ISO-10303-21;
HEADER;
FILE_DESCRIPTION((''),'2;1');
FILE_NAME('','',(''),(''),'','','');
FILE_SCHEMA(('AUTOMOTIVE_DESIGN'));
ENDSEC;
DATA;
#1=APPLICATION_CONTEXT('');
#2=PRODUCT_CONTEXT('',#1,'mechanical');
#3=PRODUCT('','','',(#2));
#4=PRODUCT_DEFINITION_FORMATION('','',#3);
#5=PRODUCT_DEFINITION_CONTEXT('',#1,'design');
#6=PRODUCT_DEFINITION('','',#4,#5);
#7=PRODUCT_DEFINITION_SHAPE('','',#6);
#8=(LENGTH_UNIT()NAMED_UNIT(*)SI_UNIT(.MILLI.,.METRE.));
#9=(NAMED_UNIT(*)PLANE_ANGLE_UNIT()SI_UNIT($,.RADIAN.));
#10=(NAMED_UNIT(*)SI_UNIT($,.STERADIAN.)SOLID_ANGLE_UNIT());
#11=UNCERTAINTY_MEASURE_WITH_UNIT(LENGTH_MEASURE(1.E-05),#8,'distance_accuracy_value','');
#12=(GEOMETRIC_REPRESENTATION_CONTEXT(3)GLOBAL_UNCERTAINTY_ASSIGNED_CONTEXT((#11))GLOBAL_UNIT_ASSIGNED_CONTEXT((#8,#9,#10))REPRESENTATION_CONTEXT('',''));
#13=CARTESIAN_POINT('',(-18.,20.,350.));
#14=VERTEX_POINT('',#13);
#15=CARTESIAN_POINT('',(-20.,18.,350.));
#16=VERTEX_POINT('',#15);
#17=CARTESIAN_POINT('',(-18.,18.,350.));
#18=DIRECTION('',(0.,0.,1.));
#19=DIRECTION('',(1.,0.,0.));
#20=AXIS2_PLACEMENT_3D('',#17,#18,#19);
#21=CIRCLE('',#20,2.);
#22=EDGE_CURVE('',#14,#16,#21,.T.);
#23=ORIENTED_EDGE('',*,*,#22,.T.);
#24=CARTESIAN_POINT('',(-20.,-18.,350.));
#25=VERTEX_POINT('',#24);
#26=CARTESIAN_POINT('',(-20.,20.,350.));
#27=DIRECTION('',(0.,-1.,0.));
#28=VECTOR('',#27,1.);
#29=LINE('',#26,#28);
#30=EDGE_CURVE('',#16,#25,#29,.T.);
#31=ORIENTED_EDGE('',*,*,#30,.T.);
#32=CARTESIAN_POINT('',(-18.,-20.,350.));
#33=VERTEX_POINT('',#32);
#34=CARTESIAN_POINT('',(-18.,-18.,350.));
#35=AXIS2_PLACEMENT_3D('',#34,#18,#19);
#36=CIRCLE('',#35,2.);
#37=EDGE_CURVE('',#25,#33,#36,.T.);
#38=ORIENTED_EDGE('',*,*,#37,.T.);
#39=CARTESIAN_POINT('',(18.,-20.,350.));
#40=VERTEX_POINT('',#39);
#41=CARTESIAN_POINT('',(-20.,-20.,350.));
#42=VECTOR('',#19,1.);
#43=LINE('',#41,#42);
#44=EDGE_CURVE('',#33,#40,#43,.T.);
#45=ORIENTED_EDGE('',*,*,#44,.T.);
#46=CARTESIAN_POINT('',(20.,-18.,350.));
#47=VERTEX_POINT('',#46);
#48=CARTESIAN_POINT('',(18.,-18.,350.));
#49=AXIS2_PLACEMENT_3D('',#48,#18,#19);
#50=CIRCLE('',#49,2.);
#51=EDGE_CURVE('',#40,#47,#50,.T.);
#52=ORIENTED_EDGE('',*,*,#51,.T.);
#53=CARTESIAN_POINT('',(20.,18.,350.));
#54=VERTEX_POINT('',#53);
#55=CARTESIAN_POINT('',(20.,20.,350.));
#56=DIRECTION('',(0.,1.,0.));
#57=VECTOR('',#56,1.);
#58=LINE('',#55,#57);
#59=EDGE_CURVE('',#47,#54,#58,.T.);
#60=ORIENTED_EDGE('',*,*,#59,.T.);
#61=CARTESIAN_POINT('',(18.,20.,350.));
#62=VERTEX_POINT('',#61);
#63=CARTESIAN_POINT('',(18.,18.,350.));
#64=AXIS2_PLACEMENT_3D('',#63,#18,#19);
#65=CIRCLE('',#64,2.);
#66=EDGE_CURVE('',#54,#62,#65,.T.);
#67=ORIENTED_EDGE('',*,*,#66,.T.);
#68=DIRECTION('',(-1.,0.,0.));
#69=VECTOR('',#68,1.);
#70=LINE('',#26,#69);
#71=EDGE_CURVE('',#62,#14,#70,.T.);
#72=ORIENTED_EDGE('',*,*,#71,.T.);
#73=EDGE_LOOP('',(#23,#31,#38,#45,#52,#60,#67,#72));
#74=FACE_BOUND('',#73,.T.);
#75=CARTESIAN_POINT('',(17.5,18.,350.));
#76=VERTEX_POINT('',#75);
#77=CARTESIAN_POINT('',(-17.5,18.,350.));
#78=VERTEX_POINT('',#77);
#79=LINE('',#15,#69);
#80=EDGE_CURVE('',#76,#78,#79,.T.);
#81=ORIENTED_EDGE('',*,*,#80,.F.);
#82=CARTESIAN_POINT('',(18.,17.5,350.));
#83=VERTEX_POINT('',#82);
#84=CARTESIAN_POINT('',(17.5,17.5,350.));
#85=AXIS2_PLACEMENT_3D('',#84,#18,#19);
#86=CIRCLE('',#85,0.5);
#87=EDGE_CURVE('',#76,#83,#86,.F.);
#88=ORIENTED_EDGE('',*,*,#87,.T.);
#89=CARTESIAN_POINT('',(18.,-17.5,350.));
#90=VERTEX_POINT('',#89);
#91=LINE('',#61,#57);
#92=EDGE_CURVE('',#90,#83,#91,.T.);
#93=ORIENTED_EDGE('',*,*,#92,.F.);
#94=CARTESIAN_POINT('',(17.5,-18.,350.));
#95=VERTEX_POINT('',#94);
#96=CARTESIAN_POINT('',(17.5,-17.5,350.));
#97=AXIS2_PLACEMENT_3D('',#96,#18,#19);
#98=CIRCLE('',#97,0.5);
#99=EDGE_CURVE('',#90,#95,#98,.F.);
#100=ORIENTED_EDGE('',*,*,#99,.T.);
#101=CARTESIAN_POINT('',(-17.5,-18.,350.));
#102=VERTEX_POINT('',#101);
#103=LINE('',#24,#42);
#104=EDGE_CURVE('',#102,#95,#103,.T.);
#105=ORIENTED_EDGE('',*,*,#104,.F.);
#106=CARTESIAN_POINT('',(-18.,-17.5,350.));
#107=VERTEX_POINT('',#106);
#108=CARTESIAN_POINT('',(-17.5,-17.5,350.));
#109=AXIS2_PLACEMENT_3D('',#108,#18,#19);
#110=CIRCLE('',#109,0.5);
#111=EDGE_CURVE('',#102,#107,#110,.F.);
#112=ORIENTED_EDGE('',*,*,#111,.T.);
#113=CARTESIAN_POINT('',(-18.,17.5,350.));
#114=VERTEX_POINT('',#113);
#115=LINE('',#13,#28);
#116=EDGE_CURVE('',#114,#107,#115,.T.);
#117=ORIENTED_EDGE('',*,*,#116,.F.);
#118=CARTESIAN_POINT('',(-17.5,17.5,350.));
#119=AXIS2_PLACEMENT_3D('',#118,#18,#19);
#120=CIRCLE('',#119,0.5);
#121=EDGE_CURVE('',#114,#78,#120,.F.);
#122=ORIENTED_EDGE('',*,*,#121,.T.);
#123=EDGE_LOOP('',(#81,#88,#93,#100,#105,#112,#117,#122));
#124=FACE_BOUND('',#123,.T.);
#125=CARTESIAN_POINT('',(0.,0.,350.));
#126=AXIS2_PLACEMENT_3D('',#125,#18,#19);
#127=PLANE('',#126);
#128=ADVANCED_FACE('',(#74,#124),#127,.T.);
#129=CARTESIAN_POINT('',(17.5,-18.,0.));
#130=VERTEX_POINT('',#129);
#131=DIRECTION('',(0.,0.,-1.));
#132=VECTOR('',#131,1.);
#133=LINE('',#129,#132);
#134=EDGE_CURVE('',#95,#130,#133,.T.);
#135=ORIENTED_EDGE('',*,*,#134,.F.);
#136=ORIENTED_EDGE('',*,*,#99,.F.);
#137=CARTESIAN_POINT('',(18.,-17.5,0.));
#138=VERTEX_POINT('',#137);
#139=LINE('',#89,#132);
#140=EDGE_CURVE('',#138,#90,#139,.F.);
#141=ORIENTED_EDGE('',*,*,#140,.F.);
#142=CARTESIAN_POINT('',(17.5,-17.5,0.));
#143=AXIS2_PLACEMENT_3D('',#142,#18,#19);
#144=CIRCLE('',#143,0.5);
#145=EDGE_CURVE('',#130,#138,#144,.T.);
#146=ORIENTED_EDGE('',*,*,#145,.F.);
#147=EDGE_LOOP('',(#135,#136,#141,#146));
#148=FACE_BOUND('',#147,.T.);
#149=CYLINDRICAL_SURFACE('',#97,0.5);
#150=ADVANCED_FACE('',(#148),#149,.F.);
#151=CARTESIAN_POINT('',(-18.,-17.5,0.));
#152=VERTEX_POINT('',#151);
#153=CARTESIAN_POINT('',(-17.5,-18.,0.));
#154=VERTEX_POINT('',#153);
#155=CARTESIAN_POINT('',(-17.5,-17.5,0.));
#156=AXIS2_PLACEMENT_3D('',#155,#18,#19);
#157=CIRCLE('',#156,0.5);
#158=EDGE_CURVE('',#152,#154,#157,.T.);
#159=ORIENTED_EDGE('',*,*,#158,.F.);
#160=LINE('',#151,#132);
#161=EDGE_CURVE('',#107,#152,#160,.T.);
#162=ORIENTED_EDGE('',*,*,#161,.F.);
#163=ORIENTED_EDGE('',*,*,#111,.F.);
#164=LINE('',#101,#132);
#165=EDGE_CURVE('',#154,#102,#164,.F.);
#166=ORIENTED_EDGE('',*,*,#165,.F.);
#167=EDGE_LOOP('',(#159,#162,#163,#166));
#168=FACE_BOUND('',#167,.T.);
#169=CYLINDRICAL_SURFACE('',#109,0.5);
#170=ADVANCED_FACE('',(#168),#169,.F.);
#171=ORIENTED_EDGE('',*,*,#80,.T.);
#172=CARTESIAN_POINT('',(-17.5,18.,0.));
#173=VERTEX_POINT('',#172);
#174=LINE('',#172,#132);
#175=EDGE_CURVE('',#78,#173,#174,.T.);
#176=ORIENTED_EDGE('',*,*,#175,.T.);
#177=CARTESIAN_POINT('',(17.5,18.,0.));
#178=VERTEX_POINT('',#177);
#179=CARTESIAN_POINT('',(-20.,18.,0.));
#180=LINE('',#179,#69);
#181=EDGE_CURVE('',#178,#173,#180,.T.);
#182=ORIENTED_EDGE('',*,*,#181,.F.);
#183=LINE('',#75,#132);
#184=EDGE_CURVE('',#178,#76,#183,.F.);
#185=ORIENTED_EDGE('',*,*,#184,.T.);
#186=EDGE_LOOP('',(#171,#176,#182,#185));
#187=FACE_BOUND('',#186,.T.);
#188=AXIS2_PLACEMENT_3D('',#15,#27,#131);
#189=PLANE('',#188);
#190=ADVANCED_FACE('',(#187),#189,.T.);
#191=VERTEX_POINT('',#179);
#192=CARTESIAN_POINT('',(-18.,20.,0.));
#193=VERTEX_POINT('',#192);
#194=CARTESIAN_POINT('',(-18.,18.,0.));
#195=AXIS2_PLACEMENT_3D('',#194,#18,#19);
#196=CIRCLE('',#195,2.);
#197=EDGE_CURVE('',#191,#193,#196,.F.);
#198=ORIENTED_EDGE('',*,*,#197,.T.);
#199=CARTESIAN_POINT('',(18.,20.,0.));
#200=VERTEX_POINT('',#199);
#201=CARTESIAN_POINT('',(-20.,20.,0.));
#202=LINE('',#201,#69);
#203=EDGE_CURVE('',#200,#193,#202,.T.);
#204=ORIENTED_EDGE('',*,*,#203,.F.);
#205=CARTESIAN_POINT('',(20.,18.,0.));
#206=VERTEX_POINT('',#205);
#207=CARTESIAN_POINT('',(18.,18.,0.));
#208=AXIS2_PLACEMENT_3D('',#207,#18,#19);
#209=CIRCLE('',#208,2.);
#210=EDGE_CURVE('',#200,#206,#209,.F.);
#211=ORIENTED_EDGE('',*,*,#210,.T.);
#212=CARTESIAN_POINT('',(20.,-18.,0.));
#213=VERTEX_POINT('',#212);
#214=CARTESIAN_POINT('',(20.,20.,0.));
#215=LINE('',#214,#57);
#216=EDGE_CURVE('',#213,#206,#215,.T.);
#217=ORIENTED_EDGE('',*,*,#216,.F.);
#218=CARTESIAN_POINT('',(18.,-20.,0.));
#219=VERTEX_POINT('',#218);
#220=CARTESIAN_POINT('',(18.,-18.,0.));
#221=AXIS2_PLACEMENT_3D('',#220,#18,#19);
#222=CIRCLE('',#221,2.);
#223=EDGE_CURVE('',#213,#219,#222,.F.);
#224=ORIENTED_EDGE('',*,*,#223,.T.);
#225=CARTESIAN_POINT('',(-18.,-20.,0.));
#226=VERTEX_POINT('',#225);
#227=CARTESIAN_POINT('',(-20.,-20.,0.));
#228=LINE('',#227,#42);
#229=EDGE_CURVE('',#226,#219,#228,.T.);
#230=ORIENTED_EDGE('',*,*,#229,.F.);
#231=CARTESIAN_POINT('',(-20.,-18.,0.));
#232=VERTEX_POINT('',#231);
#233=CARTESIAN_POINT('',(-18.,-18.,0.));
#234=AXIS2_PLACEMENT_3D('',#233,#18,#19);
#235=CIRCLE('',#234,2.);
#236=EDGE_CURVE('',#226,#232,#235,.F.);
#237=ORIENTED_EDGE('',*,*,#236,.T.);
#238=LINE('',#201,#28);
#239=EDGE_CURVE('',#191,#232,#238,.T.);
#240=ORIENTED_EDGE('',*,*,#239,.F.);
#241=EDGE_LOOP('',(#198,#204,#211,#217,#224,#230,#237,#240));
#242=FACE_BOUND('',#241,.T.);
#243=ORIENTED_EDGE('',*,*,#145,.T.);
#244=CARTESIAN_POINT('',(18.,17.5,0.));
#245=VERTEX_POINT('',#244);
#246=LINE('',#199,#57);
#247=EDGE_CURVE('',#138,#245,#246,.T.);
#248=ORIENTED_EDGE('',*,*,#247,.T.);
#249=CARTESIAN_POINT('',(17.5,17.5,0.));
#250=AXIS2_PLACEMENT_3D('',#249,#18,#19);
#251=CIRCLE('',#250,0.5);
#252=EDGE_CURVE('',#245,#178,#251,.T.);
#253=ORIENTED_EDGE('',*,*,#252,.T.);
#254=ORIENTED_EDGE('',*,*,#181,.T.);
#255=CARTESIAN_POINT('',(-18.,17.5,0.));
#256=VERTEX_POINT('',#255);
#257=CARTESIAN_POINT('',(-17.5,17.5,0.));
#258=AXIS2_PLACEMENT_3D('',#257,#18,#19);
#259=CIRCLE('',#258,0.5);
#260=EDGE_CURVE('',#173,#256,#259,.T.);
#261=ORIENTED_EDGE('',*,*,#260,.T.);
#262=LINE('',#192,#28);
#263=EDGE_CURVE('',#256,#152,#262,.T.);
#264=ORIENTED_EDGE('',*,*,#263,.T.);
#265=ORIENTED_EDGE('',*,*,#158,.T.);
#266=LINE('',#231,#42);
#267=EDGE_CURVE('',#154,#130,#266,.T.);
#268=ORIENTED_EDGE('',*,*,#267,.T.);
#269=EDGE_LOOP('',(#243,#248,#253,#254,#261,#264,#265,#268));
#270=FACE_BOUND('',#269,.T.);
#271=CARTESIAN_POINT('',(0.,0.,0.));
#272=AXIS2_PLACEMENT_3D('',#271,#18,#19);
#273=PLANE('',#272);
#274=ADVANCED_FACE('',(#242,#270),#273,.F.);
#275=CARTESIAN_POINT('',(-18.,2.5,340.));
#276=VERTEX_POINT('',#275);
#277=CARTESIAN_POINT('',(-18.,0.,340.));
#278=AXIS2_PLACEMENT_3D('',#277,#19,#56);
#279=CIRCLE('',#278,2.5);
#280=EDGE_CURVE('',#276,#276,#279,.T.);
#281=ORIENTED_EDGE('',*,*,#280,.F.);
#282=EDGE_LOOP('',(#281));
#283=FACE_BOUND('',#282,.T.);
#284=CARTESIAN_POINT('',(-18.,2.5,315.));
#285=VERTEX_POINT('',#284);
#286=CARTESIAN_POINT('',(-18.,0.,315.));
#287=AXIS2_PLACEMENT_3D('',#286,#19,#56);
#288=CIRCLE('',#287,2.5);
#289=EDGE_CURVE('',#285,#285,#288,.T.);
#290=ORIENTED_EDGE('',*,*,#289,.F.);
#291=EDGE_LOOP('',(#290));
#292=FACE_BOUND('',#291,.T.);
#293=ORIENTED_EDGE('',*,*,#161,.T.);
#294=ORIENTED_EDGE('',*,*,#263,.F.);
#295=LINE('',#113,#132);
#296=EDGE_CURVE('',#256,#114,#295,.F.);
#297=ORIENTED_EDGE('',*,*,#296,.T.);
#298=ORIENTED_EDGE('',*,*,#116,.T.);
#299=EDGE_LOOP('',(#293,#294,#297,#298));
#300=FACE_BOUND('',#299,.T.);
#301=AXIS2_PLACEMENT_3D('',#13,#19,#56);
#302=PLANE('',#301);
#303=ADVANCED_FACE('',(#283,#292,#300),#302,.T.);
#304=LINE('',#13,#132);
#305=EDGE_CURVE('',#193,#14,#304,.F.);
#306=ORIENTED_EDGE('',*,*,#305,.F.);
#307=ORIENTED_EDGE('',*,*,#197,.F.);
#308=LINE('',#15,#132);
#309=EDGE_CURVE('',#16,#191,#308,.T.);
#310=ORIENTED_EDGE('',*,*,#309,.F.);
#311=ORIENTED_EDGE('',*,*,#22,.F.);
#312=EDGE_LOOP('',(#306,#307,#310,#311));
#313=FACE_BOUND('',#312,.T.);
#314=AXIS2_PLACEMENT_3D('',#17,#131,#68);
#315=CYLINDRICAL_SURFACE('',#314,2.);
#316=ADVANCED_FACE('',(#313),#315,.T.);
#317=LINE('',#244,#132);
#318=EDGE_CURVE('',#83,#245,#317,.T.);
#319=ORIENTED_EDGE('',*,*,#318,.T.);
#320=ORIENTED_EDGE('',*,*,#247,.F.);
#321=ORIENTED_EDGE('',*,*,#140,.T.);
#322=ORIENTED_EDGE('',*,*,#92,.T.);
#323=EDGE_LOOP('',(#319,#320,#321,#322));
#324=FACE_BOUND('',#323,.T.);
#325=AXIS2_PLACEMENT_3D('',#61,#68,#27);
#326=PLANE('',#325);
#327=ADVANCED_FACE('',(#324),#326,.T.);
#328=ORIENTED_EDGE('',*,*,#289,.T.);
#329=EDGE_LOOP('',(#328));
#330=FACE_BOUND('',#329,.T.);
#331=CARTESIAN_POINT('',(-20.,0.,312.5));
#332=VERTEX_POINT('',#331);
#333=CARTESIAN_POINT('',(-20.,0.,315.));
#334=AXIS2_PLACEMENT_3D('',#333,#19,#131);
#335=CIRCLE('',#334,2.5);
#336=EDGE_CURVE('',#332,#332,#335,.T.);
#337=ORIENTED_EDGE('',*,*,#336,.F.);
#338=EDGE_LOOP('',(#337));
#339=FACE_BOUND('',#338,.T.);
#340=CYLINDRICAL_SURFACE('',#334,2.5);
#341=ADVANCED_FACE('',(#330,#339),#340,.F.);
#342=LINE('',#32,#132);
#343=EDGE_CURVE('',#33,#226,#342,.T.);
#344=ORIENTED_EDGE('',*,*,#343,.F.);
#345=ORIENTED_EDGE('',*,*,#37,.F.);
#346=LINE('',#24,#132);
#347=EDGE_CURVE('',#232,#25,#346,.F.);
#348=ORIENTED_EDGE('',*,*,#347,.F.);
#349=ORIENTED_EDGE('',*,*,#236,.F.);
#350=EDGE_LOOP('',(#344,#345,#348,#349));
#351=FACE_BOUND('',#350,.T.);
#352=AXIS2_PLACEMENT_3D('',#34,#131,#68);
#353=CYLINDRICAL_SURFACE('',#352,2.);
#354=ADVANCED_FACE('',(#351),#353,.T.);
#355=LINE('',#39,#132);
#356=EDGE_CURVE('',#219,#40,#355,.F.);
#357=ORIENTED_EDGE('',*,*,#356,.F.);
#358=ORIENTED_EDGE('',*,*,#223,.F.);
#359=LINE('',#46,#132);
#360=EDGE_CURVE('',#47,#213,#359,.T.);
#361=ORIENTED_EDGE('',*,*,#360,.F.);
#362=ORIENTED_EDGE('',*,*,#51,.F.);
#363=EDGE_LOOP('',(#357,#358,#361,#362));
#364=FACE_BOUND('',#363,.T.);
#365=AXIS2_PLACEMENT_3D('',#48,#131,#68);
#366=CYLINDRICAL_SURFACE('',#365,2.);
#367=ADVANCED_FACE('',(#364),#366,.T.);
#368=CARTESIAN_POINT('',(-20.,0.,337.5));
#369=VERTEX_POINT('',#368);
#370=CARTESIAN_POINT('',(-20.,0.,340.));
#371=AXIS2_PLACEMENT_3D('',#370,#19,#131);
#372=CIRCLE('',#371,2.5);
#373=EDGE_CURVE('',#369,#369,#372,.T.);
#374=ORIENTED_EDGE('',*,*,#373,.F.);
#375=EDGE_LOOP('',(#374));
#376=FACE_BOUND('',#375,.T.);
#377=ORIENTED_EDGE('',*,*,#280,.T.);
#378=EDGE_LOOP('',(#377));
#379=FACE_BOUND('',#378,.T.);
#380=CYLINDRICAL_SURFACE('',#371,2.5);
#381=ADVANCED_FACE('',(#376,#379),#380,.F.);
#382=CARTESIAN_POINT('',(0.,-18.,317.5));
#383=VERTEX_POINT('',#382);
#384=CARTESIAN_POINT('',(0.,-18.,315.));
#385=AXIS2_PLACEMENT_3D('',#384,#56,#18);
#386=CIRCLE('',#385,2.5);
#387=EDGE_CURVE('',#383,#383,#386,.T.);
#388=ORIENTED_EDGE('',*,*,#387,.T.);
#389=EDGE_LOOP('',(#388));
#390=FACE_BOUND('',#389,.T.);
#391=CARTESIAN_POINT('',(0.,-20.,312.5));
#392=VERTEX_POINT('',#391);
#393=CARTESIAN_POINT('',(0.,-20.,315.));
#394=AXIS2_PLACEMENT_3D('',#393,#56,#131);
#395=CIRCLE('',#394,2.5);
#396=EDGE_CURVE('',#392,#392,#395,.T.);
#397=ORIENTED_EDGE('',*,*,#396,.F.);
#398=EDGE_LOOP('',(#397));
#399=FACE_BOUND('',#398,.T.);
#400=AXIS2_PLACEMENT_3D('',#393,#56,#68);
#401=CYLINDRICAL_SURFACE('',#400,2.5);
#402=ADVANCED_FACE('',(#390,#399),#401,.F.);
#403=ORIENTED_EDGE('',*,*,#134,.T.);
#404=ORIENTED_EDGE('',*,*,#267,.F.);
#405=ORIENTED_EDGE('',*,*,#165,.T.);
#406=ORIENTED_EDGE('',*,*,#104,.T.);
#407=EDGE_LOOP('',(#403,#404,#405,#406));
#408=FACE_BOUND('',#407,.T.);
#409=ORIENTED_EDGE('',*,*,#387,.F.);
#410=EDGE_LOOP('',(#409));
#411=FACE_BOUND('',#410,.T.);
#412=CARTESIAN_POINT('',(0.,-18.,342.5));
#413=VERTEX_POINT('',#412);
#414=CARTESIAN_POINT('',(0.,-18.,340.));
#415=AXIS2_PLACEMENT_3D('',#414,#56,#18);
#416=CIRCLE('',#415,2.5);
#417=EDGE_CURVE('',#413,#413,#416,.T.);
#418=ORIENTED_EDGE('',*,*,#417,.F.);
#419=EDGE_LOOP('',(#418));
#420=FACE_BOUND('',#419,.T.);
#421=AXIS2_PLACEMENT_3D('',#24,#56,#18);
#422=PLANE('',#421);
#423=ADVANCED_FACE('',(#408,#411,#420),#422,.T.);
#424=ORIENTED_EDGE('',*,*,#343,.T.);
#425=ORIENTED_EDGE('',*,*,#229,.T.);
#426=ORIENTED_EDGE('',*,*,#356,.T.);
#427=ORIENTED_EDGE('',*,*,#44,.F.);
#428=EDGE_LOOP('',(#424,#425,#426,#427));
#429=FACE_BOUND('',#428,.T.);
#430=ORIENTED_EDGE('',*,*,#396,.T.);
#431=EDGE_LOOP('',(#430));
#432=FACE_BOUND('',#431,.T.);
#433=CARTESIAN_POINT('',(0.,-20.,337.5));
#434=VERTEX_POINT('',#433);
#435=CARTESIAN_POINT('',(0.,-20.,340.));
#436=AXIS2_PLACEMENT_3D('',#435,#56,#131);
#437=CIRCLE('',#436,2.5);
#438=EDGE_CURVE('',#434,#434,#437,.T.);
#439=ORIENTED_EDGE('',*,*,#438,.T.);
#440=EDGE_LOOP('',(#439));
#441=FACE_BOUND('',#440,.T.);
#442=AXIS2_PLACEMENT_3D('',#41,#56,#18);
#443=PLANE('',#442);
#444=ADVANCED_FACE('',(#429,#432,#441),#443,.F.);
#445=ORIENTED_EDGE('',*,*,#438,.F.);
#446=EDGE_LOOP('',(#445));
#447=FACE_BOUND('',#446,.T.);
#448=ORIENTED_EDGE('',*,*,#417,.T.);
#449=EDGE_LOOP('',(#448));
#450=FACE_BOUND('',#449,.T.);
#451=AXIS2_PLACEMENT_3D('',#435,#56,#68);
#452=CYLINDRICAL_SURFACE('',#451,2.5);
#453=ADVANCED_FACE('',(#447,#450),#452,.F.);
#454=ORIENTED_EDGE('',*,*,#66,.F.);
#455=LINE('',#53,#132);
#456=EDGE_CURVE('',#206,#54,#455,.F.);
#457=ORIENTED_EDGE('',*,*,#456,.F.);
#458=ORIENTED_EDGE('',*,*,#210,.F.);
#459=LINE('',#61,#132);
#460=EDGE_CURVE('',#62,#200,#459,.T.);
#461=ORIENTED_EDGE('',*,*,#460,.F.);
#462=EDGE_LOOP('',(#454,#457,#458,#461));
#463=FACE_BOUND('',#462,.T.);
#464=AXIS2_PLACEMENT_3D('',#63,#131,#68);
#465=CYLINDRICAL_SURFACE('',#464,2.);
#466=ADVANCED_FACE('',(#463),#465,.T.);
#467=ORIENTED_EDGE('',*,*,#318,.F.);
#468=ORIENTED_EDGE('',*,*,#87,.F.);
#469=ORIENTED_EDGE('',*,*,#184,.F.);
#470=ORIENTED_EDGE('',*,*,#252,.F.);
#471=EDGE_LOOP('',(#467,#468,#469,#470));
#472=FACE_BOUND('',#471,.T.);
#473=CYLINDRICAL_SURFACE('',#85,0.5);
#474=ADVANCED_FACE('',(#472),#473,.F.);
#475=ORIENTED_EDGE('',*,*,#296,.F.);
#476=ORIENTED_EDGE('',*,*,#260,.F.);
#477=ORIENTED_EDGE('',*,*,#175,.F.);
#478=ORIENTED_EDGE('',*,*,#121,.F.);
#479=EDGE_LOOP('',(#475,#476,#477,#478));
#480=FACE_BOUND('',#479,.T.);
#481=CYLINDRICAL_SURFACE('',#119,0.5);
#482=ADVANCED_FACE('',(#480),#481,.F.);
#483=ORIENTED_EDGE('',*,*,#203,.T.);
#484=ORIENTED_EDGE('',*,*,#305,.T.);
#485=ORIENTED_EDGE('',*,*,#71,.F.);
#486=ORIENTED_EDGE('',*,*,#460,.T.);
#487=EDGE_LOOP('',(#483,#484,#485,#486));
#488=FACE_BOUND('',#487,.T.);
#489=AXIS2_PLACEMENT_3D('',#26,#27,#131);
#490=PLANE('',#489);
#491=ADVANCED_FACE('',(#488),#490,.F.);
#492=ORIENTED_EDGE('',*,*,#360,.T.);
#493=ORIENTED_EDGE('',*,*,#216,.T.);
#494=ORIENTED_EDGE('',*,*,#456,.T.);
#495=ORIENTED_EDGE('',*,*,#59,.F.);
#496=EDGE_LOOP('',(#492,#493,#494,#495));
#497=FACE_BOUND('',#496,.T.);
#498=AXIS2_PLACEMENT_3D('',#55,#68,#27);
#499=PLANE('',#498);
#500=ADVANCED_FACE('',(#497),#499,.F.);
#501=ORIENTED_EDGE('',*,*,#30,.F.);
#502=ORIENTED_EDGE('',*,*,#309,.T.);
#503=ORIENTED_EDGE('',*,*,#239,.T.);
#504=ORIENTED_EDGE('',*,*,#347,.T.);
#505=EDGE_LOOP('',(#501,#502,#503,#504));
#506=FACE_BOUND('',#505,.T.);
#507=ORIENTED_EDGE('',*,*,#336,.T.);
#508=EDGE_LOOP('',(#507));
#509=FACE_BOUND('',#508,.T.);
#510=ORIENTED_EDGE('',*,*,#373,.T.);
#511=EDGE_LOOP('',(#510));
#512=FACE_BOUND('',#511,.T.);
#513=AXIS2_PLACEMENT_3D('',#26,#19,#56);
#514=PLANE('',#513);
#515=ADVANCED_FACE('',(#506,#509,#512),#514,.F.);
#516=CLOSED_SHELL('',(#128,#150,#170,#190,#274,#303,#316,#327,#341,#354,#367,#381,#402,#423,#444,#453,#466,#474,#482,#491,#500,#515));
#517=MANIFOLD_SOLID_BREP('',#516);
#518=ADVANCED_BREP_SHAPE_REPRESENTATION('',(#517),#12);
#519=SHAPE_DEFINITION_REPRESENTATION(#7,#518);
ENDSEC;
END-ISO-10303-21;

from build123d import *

# Parameters (mm, degrees)
SKETCH1_W           = 40
SKETCH1_H           = 40
SKETCH1_W_2         = 36
SKETCH1_H_2         = 36
EXTRUDE_THIN1_DEPTH = 350
FILLET1_R           = 0.5
FILLET2_R           = 2
SKETCH2_R           = 2.5
CUT_EXTRUDE1_DEPTH  = 352.140997322
CIRPATTERN1_COUNT   = 2
CIRPATTERN1_ANGLE   = 90


with BuildPart() as part:
    # Sketch1 → Extrude-Thin1 (new body)
    with BuildSketch(Plane.XY):
        Rectangle(SKETCH1_W, SKETCH1_H)
        Rectangle(SKETCH1_W_2, SKETCH1_H_2, mode=Mode.SUBTRACT)
    extrude(amount=EXTRUDE_THIN1_DEPTH)

    # Fillet1
    fillet1_edges = [part.edges().sort_by_distance(p)[0] for p in [
        (18, -18, 175),
        (18, 18, 175),
        (-18, 18, 175),
        (-18, -18, 175),
    ]]
    fillet(fillet1_edges, radius=FILLET1_R)

    # Fillet2
    fillet2_edges = [part.edges().sort_by_distance(p)[0] for p in [
        (20, -20, 175),
        (-20, -20, 175),
        (-20, 20, 175),
        (20, 20, 175),
    ]]
    fillet(fillet2_edges, radius=FILLET2_R)

    # Sketch2 → Cut-Extrude1 (cut, through all)
    with BuildSketch(Plane(origin=(0, 0, 0), x_dir=(0, 0, -1), z_dir=(1, 0, 0))):
        with Locations((-340, 0)):
            Circle(SKETCH2_R)
        with Locations((-315, 0)):
            Circle(SKETCH2_R)
    cut_extrude1 = extrude(amount=-CUT_EXTRUDE1_DEPTH, mode=Mode.SUBTRACT)

    # CirPattern1: Cut-Extrude1 ×2 about axis
    cirpattern1_axis = Axis((0, 0, 367.5), (0, 0, 1))
    for i in range(1, CIRPATTERN1_COUNT):
        add(cut_extrude1.rotate(cirpattern1_axis, i * CIRPATTERN1_ANGLE / (CIRPATTERN1_COUNT - 1)), mode=Mode.SUBTRACT)


solid = part.part
